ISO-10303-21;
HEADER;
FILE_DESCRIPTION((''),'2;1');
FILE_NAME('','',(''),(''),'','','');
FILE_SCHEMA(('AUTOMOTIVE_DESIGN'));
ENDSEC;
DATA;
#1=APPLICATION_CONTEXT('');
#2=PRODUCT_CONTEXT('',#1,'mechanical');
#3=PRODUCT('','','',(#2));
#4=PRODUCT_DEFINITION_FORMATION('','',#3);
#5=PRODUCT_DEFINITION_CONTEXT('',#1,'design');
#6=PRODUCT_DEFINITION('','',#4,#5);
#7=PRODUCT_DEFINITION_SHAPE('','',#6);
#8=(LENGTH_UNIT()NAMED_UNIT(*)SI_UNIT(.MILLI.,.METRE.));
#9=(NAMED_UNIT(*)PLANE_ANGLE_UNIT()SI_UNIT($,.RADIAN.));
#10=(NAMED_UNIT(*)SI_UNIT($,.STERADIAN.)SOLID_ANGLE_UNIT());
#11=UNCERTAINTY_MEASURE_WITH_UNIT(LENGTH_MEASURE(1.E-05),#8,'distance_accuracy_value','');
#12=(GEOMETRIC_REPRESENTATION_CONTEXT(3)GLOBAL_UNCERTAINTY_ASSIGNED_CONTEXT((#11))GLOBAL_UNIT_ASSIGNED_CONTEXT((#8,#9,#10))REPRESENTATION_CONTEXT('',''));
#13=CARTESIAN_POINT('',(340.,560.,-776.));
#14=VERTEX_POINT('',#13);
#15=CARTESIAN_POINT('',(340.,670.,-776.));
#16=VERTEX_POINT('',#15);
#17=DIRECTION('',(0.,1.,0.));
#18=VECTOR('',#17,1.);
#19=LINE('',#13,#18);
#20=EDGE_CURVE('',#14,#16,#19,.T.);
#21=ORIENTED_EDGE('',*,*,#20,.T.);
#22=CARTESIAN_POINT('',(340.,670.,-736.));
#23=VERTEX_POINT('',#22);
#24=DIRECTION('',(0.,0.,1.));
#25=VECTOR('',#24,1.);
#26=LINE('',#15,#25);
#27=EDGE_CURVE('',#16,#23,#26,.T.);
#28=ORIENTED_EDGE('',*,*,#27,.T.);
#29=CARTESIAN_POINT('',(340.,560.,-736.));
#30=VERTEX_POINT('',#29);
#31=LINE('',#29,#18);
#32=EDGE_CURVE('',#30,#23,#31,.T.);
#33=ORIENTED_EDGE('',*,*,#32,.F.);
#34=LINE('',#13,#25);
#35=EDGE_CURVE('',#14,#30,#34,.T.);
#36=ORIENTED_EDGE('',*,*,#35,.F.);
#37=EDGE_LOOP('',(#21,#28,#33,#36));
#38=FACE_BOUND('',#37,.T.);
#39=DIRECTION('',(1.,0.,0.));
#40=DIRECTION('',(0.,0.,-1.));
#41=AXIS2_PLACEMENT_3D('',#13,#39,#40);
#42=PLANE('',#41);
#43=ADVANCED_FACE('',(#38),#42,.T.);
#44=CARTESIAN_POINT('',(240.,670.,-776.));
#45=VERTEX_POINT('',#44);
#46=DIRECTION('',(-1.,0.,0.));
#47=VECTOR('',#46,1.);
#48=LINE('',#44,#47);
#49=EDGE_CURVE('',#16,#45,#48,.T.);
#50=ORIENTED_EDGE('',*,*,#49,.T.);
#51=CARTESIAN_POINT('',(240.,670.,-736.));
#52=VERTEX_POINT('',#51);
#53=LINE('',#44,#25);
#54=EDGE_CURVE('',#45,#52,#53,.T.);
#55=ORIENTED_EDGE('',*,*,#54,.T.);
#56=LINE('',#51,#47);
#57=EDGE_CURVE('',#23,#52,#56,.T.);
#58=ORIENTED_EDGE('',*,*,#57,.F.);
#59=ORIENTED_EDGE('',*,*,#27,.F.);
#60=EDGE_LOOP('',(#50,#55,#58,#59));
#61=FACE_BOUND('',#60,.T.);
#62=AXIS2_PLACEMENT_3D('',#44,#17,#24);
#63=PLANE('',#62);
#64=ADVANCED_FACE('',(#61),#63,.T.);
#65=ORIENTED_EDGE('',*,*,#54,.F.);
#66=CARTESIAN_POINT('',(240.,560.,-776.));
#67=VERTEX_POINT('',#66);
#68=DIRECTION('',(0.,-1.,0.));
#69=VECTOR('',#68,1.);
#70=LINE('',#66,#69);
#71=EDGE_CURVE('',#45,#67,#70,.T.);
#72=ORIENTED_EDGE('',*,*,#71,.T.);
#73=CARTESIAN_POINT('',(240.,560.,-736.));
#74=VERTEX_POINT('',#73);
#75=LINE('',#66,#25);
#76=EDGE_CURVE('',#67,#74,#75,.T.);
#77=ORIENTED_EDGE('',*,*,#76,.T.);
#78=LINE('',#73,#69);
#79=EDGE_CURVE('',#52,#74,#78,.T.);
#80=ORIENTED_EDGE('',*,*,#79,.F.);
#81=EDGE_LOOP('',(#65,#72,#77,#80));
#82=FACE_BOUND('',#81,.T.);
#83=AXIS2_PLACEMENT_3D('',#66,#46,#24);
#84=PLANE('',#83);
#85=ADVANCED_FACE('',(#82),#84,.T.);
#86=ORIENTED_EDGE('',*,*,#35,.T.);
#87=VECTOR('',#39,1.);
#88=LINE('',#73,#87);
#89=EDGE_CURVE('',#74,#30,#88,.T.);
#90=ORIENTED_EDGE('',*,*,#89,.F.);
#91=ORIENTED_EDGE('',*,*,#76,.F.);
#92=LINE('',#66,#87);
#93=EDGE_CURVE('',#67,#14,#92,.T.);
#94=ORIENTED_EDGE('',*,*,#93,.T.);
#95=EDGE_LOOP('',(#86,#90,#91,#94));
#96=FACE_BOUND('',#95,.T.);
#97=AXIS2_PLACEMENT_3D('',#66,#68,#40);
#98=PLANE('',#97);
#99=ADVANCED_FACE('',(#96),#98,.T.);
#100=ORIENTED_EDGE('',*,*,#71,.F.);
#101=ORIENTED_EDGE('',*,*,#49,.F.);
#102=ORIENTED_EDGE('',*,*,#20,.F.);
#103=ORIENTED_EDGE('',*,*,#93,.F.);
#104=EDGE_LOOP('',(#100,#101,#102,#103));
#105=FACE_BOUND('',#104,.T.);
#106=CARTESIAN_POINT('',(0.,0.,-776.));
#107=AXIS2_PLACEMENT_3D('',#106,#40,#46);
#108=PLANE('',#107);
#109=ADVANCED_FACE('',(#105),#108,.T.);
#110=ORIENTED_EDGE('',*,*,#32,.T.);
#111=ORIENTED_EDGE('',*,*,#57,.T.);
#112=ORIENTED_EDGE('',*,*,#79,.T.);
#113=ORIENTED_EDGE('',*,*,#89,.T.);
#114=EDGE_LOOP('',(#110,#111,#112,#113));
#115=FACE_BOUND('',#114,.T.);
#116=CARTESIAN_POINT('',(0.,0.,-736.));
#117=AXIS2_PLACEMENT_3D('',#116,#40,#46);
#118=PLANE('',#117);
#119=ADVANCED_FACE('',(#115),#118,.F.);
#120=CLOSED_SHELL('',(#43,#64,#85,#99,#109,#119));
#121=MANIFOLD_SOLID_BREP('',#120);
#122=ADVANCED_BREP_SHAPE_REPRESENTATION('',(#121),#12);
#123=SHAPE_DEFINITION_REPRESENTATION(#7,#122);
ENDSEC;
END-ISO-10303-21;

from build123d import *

# Parameters (mm, degrees)
TOPPING_ARKA_DUVAR_PANO_GUC_KAYNAGI_1_START = -736
SKETCH1_W                                   = 100
SKETCH1_H                                   = 110
TOPPING_ARKA_DUVAR_PANO_GUC_KAYNAGI_1_DEPTH = 40


with BuildPart() as part:
    # Sketch1 → TOPPING_arka_duvar_pano_guc_kaynagi_1 (new body)
    with BuildSketch(Plane.XY.offset(TOPPING_ARKA_DUVAR_PANO_GUC_KAYNAGI_1_START)):
        with Locations((290, 615)):
            Rectangle(SKETCH1_W, SKETCH1_H)
    extrude(amount=-TOPPING_ARKA_DUVAR_PANO_GUC_KAYNAGI_1_DEPTH)


solid = part.part
